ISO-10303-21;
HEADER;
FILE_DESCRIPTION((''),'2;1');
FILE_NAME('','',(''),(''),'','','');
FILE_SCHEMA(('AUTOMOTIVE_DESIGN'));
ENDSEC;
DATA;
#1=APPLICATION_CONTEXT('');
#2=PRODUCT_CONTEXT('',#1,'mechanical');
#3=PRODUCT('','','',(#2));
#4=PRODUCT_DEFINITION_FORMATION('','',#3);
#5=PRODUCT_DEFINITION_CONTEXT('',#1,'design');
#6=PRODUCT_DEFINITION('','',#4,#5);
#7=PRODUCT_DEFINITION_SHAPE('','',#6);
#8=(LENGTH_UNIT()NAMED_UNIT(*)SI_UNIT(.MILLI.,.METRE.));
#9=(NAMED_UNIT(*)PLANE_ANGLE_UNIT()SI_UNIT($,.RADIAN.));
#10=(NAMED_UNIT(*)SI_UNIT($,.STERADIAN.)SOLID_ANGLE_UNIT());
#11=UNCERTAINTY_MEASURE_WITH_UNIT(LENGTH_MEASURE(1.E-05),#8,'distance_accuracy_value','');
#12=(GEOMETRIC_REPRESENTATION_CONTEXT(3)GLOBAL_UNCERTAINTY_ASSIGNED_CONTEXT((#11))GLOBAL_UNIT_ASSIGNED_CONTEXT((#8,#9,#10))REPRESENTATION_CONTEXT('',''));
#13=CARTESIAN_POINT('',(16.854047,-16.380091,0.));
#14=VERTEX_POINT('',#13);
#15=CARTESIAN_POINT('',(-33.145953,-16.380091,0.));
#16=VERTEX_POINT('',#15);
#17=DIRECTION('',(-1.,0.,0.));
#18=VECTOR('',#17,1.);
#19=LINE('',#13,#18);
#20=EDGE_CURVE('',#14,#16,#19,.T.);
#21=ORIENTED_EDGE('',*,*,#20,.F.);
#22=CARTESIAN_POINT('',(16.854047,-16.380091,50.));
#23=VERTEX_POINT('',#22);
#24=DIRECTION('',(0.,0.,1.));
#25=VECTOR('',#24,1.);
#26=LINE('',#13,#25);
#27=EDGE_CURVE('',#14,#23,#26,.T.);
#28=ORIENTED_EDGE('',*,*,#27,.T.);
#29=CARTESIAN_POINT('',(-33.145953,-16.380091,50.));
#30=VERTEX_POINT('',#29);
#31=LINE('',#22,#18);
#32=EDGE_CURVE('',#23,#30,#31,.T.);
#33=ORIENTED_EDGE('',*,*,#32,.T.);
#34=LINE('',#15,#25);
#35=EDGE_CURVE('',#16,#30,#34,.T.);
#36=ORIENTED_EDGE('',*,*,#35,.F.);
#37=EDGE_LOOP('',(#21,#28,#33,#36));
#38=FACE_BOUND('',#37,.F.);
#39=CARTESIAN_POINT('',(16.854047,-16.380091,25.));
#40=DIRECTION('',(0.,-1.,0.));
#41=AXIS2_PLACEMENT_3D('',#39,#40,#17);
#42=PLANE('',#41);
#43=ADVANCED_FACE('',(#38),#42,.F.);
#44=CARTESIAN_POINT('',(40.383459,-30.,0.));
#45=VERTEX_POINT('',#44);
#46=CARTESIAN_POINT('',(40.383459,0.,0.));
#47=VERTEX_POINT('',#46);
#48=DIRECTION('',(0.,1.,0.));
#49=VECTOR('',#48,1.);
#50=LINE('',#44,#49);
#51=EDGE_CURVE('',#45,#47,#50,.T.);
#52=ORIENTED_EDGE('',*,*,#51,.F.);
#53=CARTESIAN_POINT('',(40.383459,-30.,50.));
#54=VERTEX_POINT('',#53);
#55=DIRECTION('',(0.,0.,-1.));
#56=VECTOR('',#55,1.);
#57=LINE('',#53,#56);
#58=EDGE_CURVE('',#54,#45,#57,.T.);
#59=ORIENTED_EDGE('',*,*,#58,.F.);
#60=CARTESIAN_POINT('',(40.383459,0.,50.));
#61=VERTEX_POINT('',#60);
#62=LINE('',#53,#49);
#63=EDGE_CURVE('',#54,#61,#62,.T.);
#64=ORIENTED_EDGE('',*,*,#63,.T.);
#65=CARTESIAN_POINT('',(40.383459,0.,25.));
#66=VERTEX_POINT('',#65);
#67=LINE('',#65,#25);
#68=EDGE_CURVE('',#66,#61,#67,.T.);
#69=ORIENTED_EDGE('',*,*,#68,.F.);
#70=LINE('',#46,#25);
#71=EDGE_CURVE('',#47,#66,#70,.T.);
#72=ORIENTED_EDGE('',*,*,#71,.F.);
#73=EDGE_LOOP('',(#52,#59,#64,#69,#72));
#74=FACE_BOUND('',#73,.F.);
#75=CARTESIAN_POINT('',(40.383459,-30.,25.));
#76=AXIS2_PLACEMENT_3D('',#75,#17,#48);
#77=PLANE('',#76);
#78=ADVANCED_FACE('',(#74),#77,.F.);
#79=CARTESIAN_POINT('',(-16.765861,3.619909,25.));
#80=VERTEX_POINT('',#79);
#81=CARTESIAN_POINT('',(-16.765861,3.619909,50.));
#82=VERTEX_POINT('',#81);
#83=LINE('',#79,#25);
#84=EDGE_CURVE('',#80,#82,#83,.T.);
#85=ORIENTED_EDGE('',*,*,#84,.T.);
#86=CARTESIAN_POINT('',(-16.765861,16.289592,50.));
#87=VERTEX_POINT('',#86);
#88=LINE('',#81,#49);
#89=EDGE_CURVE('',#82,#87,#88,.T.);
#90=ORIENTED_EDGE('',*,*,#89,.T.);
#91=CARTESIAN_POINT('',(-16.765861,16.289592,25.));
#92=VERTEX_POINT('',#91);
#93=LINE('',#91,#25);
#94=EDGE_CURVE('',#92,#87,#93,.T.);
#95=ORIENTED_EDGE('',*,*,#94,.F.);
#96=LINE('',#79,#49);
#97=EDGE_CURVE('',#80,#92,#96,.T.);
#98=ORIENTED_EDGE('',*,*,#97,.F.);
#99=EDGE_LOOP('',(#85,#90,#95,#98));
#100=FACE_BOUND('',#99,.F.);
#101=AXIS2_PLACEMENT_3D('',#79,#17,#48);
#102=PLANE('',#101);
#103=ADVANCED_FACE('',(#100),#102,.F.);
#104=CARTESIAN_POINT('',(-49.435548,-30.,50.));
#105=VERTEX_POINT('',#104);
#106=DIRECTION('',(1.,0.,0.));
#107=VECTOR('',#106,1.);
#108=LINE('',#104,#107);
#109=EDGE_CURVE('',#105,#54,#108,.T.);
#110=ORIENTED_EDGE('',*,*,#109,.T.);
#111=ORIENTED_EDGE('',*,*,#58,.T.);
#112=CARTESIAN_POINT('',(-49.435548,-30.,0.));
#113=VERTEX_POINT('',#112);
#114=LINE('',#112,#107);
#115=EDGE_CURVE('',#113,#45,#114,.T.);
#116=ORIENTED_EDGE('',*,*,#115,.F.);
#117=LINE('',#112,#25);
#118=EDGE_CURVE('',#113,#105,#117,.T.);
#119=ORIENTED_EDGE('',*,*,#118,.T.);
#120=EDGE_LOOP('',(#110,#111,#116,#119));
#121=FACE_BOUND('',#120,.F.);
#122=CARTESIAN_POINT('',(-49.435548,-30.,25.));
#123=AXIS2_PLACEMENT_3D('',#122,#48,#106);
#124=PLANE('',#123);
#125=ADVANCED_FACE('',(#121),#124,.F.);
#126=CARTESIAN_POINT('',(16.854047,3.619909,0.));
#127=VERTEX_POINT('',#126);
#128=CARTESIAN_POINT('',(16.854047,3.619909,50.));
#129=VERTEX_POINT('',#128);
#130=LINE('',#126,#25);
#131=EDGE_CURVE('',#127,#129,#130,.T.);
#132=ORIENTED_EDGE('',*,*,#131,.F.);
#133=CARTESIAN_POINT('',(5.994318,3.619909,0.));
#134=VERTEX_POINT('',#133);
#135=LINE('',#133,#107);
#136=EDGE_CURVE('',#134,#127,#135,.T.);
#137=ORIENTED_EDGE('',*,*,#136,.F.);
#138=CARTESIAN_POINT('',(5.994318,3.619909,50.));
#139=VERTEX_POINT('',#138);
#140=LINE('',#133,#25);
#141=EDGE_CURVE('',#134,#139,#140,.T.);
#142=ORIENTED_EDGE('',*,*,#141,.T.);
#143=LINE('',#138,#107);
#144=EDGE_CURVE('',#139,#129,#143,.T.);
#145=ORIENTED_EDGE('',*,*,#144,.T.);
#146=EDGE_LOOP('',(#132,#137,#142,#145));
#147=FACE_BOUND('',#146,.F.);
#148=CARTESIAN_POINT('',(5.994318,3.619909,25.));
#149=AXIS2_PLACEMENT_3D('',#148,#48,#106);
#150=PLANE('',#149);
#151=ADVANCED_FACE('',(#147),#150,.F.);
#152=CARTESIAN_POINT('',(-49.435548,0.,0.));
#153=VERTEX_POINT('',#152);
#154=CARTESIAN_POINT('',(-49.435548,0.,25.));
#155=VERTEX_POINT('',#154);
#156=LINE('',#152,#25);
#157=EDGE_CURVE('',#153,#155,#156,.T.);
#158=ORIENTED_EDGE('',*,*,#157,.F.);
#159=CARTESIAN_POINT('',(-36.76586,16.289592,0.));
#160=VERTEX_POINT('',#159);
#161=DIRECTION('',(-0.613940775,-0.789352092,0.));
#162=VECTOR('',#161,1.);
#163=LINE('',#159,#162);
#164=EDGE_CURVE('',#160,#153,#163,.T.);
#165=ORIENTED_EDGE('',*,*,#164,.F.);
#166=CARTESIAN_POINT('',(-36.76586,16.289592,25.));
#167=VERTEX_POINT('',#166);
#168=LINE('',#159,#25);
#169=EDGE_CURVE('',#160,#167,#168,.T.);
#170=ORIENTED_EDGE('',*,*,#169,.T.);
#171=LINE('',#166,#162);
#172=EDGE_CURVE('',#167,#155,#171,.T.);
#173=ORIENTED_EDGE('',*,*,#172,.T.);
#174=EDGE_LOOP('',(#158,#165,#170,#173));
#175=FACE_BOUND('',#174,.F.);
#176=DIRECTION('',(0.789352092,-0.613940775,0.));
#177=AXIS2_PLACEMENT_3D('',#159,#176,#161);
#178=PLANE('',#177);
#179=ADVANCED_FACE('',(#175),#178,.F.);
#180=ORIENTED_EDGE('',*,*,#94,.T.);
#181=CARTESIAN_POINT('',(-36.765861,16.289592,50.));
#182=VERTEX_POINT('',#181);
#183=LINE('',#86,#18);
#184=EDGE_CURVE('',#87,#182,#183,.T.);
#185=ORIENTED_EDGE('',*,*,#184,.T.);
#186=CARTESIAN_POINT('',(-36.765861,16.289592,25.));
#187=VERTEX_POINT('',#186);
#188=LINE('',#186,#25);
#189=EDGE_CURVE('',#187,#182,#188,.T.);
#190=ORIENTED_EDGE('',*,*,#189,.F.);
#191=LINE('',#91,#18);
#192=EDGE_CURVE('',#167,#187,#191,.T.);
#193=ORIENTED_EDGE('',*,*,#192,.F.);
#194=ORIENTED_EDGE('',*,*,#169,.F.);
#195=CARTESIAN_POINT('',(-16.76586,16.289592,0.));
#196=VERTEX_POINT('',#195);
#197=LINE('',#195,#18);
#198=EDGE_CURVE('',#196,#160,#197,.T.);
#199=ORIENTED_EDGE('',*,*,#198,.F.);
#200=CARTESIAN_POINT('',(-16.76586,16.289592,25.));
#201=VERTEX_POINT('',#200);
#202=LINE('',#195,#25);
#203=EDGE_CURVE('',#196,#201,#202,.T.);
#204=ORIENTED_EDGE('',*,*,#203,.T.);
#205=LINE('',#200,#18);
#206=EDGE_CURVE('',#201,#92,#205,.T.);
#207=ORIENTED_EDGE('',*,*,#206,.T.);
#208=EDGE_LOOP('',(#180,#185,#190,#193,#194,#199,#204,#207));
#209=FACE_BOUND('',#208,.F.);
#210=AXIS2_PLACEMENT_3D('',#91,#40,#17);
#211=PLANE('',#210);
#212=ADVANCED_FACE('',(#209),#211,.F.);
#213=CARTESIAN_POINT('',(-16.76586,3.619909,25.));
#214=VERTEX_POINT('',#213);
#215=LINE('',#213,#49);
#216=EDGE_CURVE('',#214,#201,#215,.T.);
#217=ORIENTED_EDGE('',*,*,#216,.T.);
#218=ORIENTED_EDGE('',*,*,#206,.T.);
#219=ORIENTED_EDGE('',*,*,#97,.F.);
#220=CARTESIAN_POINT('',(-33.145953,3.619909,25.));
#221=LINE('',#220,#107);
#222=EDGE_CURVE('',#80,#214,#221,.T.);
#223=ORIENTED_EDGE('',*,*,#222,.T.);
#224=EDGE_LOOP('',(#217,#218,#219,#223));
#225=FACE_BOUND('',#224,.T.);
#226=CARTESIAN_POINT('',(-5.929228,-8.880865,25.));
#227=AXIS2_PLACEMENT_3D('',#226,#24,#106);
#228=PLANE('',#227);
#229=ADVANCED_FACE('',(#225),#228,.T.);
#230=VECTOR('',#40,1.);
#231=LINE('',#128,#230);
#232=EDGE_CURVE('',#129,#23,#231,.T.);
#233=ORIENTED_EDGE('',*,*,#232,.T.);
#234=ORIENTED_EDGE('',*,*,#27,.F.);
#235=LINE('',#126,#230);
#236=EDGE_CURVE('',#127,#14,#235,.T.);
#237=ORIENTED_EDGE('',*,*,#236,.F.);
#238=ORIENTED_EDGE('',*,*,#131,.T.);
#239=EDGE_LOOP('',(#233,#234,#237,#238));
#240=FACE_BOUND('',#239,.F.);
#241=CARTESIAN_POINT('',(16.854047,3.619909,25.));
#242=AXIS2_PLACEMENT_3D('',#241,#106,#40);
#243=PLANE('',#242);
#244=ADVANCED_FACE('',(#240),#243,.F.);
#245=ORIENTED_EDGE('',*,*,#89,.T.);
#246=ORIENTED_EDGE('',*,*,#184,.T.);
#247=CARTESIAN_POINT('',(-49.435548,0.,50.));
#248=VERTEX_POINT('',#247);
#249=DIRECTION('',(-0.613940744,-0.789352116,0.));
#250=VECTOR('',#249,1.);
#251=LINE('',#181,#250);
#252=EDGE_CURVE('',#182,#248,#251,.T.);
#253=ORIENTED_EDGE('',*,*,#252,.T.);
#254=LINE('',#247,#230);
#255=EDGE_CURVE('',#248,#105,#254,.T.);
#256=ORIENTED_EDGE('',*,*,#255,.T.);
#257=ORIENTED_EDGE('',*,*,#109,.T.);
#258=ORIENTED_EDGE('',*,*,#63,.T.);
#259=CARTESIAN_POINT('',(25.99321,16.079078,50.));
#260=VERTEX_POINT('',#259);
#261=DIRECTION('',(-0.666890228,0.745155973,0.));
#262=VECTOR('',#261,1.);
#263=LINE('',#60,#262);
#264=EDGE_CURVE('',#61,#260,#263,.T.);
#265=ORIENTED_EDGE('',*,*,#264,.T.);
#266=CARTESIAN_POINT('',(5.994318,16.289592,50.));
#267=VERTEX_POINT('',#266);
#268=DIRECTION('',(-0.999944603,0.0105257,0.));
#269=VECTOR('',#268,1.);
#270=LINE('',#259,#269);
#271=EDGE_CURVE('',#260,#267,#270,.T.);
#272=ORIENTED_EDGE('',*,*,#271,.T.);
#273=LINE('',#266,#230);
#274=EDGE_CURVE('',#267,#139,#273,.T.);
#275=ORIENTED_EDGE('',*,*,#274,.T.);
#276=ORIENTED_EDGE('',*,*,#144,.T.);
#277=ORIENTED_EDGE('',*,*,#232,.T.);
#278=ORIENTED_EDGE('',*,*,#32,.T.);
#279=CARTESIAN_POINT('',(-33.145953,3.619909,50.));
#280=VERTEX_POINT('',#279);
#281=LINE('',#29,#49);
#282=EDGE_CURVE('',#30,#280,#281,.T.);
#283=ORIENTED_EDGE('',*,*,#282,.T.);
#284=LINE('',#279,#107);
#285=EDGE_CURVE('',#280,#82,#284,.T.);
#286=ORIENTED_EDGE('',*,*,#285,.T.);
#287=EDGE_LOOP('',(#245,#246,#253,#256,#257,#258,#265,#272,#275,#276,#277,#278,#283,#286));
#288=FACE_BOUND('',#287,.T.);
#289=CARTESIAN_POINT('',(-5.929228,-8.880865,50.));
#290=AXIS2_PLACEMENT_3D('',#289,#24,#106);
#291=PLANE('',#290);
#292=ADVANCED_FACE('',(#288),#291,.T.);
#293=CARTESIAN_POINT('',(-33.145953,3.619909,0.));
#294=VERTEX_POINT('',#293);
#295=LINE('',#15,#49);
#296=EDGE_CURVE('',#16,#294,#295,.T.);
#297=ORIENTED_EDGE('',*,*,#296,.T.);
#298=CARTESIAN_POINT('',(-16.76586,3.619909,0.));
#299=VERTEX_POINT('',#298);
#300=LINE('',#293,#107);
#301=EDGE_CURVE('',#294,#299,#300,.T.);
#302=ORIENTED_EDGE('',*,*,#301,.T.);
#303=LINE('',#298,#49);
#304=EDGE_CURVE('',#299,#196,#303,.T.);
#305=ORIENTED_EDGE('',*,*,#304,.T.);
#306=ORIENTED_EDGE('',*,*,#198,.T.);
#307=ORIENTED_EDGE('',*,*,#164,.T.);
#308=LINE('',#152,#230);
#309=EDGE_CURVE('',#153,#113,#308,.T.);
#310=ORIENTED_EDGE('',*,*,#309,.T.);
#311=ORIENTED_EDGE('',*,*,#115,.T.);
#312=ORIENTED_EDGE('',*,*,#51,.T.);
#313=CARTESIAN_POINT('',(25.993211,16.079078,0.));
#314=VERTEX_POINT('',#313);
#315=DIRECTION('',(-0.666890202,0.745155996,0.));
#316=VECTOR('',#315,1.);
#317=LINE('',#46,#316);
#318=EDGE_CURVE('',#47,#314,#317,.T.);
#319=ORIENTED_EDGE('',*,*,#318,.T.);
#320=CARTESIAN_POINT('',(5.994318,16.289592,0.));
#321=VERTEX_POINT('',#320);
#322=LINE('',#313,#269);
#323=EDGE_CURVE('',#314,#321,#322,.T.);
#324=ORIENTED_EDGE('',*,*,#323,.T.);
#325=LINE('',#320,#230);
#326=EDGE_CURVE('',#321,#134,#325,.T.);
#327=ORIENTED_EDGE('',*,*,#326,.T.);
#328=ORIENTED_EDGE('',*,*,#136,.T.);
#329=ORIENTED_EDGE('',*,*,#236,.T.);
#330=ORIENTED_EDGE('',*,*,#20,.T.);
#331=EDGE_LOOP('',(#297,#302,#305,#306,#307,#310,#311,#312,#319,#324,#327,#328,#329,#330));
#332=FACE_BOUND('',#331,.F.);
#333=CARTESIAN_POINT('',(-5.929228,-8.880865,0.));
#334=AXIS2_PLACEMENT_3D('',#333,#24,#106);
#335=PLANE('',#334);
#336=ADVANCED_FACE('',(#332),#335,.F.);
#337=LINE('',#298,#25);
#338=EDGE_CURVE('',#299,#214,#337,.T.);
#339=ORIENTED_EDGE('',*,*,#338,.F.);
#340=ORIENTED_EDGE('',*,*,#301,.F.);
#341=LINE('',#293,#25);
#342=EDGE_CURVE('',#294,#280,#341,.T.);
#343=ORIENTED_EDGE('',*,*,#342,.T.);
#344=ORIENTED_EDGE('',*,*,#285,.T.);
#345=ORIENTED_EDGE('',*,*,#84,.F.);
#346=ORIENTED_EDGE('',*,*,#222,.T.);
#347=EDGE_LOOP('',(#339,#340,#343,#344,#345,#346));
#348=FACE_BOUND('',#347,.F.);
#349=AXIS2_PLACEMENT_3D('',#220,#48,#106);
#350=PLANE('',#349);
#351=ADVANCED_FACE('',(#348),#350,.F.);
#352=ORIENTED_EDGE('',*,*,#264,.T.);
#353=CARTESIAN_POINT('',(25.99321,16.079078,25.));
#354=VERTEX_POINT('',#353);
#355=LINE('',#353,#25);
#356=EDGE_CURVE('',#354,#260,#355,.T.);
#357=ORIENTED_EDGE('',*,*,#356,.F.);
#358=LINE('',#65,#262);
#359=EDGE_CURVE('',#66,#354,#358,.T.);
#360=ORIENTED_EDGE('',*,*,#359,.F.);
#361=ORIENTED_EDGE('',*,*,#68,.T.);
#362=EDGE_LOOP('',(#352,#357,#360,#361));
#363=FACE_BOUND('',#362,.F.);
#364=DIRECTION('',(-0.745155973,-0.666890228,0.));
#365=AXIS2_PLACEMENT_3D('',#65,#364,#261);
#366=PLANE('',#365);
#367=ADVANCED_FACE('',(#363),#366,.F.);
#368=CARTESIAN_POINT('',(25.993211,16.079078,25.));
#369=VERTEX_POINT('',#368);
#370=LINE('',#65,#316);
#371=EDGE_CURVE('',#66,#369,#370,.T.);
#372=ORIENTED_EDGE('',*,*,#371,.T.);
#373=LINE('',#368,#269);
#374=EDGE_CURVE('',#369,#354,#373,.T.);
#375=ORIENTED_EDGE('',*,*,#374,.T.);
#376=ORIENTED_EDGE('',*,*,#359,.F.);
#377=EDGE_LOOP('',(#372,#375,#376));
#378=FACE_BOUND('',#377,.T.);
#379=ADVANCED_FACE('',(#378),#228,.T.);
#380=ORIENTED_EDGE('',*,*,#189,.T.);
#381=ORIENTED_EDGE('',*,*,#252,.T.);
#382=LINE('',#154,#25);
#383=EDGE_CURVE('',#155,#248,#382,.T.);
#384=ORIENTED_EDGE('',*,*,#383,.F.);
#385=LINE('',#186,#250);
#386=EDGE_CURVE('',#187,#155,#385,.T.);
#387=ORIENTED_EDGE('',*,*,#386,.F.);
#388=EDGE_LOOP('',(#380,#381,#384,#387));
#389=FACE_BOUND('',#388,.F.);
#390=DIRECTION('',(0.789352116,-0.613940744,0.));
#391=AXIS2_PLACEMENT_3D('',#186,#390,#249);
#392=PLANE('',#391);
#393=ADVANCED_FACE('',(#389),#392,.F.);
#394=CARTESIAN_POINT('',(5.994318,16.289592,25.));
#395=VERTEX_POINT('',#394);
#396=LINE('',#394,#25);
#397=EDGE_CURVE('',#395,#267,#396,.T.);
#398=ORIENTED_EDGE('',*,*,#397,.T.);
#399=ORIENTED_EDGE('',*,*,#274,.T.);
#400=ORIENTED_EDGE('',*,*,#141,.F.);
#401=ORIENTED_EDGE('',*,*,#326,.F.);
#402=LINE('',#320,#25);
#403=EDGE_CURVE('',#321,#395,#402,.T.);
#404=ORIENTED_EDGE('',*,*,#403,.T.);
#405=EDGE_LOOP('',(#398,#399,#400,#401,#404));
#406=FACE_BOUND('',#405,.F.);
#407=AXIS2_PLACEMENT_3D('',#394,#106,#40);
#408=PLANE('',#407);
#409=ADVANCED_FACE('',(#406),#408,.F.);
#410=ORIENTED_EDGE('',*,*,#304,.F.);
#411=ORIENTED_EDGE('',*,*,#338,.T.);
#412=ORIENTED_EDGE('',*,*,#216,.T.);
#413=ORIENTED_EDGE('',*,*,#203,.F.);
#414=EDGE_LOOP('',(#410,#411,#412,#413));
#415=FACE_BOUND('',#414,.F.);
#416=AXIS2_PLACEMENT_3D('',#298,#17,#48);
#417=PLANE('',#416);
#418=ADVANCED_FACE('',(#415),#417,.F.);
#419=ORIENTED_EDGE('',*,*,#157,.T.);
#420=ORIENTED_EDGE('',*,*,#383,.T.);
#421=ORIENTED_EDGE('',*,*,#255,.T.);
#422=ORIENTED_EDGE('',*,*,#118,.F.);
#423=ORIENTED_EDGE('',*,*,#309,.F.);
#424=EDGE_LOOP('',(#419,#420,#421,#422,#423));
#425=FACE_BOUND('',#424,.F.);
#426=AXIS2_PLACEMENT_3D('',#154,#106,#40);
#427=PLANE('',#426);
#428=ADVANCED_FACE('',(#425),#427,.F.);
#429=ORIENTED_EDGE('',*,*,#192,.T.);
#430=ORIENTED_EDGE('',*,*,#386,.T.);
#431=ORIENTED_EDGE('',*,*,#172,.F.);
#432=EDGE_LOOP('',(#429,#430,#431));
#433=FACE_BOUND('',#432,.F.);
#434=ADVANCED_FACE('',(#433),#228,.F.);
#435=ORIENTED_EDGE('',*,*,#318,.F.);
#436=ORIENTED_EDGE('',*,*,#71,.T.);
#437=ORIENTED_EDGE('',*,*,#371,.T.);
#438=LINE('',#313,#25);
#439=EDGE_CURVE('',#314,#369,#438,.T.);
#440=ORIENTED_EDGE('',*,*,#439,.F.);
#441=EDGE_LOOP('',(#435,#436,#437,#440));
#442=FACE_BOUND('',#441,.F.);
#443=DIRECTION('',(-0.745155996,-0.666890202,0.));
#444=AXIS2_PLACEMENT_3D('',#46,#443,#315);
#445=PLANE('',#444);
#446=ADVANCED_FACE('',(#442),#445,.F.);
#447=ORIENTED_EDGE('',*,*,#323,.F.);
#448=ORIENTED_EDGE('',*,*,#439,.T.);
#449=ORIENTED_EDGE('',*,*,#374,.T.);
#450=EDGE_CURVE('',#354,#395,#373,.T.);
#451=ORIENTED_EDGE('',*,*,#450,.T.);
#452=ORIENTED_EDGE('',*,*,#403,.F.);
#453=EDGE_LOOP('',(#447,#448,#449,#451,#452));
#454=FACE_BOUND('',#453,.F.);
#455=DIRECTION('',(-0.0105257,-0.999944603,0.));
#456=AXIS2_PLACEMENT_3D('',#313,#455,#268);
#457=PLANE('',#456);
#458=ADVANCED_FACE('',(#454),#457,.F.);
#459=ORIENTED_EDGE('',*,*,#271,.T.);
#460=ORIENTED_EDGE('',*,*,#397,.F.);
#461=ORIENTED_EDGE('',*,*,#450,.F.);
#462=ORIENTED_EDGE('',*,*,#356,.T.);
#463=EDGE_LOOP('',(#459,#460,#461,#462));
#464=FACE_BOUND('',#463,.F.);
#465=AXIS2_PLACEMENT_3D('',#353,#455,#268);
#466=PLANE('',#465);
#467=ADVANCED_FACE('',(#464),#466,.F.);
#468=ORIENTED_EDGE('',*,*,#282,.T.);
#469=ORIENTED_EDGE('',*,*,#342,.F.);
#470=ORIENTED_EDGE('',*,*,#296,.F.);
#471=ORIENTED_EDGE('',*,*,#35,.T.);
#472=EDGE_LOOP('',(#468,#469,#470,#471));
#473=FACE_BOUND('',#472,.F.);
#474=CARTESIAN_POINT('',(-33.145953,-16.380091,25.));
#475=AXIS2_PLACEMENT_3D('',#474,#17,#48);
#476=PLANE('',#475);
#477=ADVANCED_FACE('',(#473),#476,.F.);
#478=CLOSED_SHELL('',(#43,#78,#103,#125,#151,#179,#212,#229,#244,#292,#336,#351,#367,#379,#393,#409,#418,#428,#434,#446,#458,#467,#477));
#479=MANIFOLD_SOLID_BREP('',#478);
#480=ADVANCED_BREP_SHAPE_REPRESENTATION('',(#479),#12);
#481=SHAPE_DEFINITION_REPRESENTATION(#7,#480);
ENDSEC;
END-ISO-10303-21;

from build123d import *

# Parameters (mm, degrees)
F1_DEPTH = 25
F2_DEPTH = 25


with BuildPart() as f1:
    # F0 (on Top) → F1 (new body)
    with BuildSketch(Plane.XY):
        Polygon((-49.435548, 0), (-49.435548, -30), (40.383459, -30), (40.383459, 0), (25.993211, 16.079078), (5.994318, 16.289592), (5.994318, 3.619909), (16.854047, 3.619909), (16.854047, -16.380091), (-33.145953, -16.380091), (-33.145953, 3.619909), (-16.76586, 3.619909), (-16.76586, 16.289592), (-36.76586, 16.289592), align=None)
    extrude(amount=F1_DEPTH)

    # F1_face (on face) → F2 (join)
    with BuildSketch(Plane(origin=(-3.293227, -10.371674, 25), x_dir=(1, 0, 0), z_dir=(0, 0, 1))):
        Polygon((29.286437, 26.450752), (9.287545, 26.661266), (9.287545, 13.991583), (20.147274, 13.991583), (20.147274, -6.008417), (-29.852726, -6.008417), (-29.852726, 13.991583), (-13.472634, 13.991583), (-13.472634, 26.661266), (-33.472634, 26.661266), (-46.142321, 10.371674), (-46.142321, -19.628326), (43.676686, -19.628326), (43.676686, 10.371674), align=None)
    extrude(amount=F2_DEPTH)


solid = f1.part
